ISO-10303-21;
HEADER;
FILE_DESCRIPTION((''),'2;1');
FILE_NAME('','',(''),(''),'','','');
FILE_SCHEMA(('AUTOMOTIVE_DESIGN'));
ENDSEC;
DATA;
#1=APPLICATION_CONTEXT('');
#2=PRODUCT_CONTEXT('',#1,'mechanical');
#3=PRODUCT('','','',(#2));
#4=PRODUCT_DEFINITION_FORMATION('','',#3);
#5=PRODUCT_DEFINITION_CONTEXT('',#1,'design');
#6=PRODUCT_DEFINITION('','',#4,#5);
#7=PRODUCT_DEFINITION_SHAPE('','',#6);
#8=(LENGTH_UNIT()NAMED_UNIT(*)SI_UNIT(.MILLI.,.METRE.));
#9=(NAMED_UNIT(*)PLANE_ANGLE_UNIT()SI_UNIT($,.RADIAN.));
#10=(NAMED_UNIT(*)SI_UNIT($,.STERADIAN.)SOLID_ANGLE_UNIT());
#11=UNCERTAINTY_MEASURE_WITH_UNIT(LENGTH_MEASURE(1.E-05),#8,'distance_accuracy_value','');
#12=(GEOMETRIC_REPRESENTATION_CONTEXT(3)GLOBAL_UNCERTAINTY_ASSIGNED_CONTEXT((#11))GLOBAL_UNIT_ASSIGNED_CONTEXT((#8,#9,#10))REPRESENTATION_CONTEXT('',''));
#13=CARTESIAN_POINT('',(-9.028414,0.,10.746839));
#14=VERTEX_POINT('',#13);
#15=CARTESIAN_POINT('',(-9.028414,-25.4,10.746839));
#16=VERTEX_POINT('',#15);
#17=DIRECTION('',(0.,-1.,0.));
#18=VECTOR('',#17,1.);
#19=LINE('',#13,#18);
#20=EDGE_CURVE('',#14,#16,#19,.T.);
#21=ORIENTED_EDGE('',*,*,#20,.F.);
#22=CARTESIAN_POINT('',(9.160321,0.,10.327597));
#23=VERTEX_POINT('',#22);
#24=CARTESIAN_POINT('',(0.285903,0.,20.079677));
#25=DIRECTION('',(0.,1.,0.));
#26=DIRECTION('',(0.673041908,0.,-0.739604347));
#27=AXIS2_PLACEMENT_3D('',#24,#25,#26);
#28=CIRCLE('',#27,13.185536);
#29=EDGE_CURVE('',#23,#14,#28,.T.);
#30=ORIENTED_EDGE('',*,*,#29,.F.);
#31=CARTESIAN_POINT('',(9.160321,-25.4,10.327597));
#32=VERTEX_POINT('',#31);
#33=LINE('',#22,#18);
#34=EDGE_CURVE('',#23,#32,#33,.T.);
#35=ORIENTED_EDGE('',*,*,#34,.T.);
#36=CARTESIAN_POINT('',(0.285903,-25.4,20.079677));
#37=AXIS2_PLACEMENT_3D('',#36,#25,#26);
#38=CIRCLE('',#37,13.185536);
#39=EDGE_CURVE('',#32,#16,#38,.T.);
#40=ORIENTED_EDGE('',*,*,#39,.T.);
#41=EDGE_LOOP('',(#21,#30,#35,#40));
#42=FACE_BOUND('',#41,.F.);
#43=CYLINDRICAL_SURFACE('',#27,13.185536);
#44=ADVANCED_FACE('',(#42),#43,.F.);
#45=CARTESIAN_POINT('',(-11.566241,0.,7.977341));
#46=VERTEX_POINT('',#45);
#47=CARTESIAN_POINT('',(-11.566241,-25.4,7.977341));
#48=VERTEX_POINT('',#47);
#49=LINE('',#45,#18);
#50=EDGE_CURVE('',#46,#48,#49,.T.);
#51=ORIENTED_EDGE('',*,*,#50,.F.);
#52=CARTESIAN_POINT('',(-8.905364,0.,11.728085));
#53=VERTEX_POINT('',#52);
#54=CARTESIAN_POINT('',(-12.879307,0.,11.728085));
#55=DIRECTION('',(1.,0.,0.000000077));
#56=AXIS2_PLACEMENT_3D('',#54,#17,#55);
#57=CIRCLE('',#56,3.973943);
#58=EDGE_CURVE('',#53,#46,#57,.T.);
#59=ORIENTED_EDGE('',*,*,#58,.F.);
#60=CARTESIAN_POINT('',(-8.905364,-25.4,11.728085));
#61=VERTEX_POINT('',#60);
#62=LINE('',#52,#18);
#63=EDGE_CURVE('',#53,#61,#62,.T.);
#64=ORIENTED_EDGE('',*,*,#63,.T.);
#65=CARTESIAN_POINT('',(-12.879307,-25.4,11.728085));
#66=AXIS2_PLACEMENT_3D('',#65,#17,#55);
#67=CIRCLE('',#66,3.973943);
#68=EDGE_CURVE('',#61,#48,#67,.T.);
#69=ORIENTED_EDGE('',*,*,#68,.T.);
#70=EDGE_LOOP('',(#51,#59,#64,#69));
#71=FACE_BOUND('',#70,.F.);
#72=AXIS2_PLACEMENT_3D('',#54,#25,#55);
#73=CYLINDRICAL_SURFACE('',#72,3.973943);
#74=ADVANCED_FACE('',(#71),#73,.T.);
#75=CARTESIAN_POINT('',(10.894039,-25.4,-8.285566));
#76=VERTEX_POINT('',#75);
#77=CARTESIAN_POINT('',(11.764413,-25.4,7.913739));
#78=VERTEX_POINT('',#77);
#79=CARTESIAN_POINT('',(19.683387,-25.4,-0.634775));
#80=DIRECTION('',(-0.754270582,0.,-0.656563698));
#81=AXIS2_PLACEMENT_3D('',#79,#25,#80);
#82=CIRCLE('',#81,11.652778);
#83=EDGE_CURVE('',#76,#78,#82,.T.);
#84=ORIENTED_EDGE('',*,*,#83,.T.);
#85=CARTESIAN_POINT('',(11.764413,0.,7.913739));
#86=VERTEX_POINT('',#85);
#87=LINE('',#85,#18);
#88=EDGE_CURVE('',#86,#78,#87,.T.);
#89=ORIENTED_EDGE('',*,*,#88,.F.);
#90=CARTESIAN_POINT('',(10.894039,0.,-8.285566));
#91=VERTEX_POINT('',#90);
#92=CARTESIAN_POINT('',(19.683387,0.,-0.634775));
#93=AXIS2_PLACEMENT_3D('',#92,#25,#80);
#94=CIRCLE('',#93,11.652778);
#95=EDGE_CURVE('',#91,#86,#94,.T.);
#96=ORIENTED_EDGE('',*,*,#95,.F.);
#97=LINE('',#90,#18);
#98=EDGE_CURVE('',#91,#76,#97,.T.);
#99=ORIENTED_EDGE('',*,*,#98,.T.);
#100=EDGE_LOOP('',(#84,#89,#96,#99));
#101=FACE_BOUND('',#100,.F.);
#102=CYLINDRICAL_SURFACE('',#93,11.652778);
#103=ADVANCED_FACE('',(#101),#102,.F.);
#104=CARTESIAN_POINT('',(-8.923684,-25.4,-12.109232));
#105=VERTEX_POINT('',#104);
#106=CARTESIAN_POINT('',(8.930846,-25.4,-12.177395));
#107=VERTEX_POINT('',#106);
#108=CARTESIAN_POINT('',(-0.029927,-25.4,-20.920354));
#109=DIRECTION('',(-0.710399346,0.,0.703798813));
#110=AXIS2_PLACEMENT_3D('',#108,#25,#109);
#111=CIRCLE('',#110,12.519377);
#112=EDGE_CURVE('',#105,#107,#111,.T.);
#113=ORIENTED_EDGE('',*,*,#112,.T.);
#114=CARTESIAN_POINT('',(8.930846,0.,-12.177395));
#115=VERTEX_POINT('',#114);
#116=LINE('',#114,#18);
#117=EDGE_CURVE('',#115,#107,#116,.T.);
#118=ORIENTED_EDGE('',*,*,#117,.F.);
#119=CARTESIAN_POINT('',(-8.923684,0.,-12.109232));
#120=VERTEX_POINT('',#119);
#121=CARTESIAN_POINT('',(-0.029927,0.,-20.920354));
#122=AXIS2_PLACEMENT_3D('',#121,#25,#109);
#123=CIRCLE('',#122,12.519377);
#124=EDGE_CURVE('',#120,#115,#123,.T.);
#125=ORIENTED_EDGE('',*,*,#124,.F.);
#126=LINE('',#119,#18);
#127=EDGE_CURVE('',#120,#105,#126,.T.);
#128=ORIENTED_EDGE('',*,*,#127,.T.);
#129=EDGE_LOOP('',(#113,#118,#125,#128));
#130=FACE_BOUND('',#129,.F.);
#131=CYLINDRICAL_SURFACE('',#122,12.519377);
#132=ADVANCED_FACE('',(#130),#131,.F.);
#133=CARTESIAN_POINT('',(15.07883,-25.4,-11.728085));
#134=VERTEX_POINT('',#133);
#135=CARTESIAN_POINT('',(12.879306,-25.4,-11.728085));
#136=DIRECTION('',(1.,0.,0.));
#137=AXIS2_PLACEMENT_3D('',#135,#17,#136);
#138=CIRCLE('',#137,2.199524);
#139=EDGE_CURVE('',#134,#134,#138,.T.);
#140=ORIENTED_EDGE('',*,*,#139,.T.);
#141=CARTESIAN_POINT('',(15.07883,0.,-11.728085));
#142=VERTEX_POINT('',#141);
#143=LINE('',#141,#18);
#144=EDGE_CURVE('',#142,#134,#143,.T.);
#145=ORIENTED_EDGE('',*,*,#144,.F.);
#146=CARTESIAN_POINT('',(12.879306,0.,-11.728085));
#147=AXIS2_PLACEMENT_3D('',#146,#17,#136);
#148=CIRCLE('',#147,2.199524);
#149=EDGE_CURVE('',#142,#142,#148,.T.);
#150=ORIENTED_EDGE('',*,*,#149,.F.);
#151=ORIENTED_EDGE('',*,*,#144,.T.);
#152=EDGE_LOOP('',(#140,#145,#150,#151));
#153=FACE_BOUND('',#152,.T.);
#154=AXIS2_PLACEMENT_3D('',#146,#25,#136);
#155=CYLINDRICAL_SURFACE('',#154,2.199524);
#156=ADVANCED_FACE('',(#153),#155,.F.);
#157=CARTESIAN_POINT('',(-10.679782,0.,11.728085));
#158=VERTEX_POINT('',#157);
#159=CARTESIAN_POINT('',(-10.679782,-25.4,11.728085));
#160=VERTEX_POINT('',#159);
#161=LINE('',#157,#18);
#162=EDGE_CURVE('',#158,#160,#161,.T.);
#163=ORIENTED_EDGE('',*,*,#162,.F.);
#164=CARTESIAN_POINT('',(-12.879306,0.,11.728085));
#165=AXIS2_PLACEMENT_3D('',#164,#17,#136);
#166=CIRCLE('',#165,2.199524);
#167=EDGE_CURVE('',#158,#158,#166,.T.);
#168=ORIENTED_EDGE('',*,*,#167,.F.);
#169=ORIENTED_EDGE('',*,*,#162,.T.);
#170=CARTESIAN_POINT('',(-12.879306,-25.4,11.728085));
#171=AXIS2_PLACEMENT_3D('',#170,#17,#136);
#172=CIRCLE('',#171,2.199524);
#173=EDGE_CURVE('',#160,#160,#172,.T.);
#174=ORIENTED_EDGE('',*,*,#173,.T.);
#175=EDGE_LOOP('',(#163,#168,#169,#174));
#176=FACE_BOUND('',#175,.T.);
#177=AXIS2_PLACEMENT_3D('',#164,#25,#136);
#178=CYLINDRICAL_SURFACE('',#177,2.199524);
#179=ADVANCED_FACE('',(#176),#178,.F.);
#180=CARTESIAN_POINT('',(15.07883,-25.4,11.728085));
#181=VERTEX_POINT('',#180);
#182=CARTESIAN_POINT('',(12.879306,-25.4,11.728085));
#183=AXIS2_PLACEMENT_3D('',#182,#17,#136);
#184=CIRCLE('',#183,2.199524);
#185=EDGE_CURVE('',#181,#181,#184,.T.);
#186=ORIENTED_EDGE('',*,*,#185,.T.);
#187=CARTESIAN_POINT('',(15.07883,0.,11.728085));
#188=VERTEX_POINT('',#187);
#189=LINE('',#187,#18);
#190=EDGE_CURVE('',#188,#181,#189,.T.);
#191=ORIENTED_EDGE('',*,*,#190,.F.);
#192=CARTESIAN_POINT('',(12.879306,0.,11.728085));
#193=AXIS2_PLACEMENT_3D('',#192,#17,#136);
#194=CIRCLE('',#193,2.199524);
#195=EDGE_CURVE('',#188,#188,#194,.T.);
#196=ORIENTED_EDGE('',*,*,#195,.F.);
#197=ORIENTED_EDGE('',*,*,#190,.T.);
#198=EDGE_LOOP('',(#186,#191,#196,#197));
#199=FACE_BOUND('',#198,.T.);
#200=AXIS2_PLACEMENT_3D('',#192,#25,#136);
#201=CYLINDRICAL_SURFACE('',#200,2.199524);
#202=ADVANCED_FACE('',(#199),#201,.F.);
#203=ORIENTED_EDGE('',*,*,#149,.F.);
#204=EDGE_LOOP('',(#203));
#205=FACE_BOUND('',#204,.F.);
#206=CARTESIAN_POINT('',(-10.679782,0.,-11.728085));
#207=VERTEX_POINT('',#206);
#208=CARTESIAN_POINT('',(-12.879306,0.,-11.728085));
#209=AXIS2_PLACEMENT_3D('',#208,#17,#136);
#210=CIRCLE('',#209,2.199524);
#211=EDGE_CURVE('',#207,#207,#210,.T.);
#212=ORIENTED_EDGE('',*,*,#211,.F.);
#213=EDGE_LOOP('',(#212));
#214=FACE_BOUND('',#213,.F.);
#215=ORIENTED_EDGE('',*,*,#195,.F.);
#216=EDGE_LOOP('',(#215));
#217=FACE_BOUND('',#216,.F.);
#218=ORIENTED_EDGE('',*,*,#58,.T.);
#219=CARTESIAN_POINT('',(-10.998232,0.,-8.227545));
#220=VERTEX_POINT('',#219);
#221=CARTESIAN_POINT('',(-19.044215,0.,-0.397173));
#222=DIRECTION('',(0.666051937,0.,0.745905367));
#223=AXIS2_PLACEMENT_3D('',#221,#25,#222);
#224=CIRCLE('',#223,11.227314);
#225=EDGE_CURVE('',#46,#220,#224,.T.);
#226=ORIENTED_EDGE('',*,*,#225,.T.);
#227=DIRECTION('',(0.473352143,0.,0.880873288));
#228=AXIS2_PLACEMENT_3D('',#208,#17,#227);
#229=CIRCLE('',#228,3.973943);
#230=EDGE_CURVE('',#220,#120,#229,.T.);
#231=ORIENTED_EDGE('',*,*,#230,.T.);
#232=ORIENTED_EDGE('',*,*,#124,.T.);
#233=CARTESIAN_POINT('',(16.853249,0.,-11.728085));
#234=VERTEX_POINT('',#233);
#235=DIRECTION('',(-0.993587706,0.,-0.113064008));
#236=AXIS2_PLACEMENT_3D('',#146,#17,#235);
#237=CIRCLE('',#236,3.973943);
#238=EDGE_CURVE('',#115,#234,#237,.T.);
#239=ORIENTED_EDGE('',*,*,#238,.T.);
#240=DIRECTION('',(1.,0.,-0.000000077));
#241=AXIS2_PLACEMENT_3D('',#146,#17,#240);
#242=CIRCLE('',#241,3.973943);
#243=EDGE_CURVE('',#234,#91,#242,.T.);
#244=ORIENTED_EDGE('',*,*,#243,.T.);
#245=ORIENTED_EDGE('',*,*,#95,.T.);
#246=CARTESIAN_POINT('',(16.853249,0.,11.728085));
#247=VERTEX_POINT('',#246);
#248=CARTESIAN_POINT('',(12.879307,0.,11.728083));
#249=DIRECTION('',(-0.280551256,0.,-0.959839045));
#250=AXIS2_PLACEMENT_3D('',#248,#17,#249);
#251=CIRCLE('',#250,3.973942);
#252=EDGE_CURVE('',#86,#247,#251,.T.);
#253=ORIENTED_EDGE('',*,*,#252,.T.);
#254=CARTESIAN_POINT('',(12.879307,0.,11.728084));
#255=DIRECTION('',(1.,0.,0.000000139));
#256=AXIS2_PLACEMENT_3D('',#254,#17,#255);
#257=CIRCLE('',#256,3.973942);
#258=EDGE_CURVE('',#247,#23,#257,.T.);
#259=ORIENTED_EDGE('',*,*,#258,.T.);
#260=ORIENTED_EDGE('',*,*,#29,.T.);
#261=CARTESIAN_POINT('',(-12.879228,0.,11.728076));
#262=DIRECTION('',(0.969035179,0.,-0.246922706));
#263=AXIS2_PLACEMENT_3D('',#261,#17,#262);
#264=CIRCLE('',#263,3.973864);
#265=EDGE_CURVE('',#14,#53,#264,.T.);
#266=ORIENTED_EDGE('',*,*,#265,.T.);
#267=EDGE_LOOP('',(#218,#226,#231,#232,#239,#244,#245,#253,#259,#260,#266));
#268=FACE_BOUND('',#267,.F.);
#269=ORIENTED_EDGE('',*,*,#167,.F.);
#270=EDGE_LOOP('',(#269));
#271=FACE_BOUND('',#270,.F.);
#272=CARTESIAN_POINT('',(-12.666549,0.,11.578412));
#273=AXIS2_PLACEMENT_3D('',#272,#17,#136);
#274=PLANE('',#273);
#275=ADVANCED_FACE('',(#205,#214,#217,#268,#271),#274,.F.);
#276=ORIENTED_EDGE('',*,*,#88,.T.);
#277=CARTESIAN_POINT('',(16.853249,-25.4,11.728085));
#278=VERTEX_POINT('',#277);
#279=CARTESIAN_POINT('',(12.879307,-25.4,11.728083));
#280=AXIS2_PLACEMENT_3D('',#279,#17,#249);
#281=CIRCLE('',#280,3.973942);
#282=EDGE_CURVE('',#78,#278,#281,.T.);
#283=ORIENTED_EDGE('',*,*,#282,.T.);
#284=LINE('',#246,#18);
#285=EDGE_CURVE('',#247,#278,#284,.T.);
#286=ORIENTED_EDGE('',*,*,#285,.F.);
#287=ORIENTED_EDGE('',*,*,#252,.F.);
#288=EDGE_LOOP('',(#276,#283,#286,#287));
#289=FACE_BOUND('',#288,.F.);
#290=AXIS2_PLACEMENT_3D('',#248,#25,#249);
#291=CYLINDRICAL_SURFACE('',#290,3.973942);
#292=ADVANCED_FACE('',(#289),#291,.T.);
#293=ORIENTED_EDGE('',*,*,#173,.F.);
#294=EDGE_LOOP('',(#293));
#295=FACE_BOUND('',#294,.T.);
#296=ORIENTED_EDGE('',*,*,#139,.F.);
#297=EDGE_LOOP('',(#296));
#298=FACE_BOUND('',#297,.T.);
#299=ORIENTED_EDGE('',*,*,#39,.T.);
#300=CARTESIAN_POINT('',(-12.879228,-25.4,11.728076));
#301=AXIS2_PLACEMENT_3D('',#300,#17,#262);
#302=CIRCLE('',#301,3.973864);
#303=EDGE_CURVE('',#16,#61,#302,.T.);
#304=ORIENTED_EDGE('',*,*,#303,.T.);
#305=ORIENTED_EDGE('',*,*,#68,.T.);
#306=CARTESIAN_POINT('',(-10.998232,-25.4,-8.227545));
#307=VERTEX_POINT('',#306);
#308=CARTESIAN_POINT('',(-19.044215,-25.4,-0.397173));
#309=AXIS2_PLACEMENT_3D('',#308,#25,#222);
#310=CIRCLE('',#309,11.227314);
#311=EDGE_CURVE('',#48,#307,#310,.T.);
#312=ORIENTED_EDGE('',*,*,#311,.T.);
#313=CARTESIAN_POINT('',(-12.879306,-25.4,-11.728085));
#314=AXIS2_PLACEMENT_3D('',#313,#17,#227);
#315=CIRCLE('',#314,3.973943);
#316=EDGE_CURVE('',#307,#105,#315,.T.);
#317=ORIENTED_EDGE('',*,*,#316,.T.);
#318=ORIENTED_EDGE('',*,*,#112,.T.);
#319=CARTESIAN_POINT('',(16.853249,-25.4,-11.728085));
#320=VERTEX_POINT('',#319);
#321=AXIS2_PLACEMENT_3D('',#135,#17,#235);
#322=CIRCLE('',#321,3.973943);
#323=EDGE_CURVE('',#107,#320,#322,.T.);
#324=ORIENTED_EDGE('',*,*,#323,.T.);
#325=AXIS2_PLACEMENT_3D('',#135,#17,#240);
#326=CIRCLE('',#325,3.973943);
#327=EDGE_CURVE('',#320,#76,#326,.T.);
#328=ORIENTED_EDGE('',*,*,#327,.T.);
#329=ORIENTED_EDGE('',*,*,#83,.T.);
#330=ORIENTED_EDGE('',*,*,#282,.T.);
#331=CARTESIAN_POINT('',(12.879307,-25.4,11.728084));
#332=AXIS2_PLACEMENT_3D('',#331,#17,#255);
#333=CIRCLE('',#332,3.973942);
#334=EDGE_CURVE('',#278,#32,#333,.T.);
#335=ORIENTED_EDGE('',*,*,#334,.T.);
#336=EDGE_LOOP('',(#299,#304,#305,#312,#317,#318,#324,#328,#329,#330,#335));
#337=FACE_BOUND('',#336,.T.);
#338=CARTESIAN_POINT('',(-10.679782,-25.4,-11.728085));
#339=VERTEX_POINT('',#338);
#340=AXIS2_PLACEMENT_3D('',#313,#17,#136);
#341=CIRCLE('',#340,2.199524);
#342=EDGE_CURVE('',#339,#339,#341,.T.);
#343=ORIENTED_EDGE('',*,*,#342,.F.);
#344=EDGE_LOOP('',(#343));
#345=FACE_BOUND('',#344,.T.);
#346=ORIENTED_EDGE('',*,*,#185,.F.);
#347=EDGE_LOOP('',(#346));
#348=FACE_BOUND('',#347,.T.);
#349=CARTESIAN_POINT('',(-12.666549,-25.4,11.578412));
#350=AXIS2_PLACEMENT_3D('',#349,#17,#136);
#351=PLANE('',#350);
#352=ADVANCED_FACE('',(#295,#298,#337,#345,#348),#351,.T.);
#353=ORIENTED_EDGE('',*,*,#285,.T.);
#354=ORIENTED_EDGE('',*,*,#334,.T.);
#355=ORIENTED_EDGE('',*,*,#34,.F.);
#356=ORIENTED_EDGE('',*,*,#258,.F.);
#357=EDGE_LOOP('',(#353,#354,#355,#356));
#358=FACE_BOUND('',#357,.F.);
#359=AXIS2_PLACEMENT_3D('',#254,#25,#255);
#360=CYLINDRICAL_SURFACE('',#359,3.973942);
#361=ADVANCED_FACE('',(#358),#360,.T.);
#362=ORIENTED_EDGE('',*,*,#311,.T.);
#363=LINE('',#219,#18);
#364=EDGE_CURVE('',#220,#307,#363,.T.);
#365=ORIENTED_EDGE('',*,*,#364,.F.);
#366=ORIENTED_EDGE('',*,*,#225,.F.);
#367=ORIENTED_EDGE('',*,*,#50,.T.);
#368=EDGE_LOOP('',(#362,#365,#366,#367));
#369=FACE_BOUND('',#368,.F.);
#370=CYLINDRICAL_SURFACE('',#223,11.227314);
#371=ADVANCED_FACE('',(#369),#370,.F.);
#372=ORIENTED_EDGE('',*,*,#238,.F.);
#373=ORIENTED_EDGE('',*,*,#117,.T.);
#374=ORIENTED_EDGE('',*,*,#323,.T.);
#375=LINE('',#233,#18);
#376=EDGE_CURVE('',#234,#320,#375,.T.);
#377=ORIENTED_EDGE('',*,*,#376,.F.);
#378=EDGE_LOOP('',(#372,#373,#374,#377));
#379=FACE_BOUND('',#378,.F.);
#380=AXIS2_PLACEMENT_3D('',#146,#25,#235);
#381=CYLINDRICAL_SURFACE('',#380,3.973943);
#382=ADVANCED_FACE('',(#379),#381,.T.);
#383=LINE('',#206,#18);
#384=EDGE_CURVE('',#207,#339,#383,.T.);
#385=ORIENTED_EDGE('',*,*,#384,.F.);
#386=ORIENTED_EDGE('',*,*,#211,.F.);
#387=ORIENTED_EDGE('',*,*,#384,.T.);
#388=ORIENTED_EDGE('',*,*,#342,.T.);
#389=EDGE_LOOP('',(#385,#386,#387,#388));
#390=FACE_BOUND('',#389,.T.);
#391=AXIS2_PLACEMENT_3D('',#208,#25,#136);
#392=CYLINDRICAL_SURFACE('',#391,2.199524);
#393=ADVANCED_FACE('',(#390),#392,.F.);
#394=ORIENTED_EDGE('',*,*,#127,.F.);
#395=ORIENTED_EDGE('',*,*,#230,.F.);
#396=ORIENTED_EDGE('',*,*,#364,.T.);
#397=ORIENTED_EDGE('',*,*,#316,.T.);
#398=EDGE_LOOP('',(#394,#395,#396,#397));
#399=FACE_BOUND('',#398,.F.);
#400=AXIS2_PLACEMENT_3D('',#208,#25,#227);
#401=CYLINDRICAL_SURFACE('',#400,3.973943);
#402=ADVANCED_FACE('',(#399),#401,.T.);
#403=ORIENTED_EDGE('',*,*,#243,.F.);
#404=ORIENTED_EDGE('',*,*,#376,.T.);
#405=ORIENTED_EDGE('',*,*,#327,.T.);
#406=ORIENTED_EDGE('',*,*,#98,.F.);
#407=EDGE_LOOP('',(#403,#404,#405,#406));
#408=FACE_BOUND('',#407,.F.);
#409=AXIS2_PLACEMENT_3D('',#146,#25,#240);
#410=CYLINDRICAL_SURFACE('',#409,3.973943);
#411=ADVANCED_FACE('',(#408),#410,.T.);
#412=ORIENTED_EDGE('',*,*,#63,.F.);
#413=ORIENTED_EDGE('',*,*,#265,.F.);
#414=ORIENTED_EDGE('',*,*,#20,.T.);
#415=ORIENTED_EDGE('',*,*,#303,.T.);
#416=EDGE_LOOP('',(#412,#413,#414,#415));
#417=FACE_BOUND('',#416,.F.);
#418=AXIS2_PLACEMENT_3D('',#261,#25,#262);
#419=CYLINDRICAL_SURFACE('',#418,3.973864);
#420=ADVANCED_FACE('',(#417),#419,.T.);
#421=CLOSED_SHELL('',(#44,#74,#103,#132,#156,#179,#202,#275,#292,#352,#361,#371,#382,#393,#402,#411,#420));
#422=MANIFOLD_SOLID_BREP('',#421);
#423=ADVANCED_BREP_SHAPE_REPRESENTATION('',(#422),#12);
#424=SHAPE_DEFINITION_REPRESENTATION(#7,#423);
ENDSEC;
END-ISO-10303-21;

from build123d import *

# Parameters (mm, degrees)
F0_R     = 2.199524
F1_DEPTH = 25.4


with BuildPart() as f1:
    # F0 (on Front) → F1 (new body)
    with BuildSketch(Plane.XZ):
        with BuildLine():
            ThreePointArc((-11.566241, 7.977341), (-9.949435, 9.043299), (-9.028414, 10.746839))
            ThreePointArc((-9.028414, 10.746839), (-8.936246, 11.233619), (-8.905364, 11.728085))
            ThreePointArc((-8.905364, 11.728085), (-16.120469, 14.027451), (-11.566241, 7.977341))
        make_face()
        with Locations((-12.879306, 11.728085)):
            Circle(F0_R, mode=Mode.SUBTRACT)
        with BuildLine():
            ThreePointArc((9.160321, 10.327597), (-0.017937, 6.897642), (-9.028414, 10.746839))
            ThreePointArc((-9.028414, 10.746839), (-9.949435, 9.043299), (-11.566241, 7.977341))
            ThreePointArc((-11.566241, 7.977341), (-7.823792, -0.003878), (-10.998232, -8.227545))
            ThreePointArc((-10.998232, -8.227545), (-9.468478, -9.688852), (-8.905364, -11.728085))
            ThreePointArc((-8.905364, -11.728085), (-8.909947, -11.918878), (-8.923684, -12.109232))
            ThreePointArc((-8.923684, -12.109232), (0.017868, -8.401069), (8.930846, -12.177395))
            ThreePointArc((8.930846, -12.177395), (9.331227, -9.938293), (10.894039, -8.285566))
            ThreePointArc((10.894039, -8.285566), (8.047392, -0.009584), (11.764413, 7.913739))
            ThreePointArc((11.764413, 7.913739), (10.177775, 8.813647), (9.160321, 10.327597))
        make_face()
        with BuildLine():
            ThreePointArc((16.853249, 11.728085), (12.167553, 15.637768), (9.160321, 10.327597))
            ThreePointArc((9.160321, 10.327597), (10.177775, 8.813647), (11.764413, 7.913739))
            ThreePointArc((11.764413, 7.913739), (15.26276, 8.548246), (16.853249, 11.728085))
        make_face()
        with Locations((12.879306, 11.728085)):
            Circle(F0_R, mode=Mode.SUBTRACT)
        with BuildLine():
            ThreePointArc((-8.905364, -11.728085), (-9.468478, -9.688852), (-10.998232, -8.227545))
            ThreePointArc((-10.998232, -8.227545), (-16.384108, -13.601207), (-8.923684, -12.109232))
            ThreePointArc((-8.923684, -12.109232), (-8.909947, -11.918878), (-8.905364, -11.728085))
        make_face()
        with Locations((-12.879306, -11.728085)):
            Circle(F0_R, mode=Mode.SUBTRACT)
        with BuildLine():
            ThreePointArc((16.853249, -11.728085), (14.867129, -8.287041), (10.894039, -8.285566))
            ThreePointArc((10.894039, -8.285566), (9.331227, -9.938293), (8.930846, -12.177395))
            ThreePointArc((8.930846, -12.177395), (13.104323, -15.695652), (16.853249, -11.728085))
        make_face()
        with Locations((12.879306, -11.728085)):
            Circle(F0_R, mode=Mode.SUBTRACT)
    extrude(amount=F1_DEPTH)


solid = f1.part
